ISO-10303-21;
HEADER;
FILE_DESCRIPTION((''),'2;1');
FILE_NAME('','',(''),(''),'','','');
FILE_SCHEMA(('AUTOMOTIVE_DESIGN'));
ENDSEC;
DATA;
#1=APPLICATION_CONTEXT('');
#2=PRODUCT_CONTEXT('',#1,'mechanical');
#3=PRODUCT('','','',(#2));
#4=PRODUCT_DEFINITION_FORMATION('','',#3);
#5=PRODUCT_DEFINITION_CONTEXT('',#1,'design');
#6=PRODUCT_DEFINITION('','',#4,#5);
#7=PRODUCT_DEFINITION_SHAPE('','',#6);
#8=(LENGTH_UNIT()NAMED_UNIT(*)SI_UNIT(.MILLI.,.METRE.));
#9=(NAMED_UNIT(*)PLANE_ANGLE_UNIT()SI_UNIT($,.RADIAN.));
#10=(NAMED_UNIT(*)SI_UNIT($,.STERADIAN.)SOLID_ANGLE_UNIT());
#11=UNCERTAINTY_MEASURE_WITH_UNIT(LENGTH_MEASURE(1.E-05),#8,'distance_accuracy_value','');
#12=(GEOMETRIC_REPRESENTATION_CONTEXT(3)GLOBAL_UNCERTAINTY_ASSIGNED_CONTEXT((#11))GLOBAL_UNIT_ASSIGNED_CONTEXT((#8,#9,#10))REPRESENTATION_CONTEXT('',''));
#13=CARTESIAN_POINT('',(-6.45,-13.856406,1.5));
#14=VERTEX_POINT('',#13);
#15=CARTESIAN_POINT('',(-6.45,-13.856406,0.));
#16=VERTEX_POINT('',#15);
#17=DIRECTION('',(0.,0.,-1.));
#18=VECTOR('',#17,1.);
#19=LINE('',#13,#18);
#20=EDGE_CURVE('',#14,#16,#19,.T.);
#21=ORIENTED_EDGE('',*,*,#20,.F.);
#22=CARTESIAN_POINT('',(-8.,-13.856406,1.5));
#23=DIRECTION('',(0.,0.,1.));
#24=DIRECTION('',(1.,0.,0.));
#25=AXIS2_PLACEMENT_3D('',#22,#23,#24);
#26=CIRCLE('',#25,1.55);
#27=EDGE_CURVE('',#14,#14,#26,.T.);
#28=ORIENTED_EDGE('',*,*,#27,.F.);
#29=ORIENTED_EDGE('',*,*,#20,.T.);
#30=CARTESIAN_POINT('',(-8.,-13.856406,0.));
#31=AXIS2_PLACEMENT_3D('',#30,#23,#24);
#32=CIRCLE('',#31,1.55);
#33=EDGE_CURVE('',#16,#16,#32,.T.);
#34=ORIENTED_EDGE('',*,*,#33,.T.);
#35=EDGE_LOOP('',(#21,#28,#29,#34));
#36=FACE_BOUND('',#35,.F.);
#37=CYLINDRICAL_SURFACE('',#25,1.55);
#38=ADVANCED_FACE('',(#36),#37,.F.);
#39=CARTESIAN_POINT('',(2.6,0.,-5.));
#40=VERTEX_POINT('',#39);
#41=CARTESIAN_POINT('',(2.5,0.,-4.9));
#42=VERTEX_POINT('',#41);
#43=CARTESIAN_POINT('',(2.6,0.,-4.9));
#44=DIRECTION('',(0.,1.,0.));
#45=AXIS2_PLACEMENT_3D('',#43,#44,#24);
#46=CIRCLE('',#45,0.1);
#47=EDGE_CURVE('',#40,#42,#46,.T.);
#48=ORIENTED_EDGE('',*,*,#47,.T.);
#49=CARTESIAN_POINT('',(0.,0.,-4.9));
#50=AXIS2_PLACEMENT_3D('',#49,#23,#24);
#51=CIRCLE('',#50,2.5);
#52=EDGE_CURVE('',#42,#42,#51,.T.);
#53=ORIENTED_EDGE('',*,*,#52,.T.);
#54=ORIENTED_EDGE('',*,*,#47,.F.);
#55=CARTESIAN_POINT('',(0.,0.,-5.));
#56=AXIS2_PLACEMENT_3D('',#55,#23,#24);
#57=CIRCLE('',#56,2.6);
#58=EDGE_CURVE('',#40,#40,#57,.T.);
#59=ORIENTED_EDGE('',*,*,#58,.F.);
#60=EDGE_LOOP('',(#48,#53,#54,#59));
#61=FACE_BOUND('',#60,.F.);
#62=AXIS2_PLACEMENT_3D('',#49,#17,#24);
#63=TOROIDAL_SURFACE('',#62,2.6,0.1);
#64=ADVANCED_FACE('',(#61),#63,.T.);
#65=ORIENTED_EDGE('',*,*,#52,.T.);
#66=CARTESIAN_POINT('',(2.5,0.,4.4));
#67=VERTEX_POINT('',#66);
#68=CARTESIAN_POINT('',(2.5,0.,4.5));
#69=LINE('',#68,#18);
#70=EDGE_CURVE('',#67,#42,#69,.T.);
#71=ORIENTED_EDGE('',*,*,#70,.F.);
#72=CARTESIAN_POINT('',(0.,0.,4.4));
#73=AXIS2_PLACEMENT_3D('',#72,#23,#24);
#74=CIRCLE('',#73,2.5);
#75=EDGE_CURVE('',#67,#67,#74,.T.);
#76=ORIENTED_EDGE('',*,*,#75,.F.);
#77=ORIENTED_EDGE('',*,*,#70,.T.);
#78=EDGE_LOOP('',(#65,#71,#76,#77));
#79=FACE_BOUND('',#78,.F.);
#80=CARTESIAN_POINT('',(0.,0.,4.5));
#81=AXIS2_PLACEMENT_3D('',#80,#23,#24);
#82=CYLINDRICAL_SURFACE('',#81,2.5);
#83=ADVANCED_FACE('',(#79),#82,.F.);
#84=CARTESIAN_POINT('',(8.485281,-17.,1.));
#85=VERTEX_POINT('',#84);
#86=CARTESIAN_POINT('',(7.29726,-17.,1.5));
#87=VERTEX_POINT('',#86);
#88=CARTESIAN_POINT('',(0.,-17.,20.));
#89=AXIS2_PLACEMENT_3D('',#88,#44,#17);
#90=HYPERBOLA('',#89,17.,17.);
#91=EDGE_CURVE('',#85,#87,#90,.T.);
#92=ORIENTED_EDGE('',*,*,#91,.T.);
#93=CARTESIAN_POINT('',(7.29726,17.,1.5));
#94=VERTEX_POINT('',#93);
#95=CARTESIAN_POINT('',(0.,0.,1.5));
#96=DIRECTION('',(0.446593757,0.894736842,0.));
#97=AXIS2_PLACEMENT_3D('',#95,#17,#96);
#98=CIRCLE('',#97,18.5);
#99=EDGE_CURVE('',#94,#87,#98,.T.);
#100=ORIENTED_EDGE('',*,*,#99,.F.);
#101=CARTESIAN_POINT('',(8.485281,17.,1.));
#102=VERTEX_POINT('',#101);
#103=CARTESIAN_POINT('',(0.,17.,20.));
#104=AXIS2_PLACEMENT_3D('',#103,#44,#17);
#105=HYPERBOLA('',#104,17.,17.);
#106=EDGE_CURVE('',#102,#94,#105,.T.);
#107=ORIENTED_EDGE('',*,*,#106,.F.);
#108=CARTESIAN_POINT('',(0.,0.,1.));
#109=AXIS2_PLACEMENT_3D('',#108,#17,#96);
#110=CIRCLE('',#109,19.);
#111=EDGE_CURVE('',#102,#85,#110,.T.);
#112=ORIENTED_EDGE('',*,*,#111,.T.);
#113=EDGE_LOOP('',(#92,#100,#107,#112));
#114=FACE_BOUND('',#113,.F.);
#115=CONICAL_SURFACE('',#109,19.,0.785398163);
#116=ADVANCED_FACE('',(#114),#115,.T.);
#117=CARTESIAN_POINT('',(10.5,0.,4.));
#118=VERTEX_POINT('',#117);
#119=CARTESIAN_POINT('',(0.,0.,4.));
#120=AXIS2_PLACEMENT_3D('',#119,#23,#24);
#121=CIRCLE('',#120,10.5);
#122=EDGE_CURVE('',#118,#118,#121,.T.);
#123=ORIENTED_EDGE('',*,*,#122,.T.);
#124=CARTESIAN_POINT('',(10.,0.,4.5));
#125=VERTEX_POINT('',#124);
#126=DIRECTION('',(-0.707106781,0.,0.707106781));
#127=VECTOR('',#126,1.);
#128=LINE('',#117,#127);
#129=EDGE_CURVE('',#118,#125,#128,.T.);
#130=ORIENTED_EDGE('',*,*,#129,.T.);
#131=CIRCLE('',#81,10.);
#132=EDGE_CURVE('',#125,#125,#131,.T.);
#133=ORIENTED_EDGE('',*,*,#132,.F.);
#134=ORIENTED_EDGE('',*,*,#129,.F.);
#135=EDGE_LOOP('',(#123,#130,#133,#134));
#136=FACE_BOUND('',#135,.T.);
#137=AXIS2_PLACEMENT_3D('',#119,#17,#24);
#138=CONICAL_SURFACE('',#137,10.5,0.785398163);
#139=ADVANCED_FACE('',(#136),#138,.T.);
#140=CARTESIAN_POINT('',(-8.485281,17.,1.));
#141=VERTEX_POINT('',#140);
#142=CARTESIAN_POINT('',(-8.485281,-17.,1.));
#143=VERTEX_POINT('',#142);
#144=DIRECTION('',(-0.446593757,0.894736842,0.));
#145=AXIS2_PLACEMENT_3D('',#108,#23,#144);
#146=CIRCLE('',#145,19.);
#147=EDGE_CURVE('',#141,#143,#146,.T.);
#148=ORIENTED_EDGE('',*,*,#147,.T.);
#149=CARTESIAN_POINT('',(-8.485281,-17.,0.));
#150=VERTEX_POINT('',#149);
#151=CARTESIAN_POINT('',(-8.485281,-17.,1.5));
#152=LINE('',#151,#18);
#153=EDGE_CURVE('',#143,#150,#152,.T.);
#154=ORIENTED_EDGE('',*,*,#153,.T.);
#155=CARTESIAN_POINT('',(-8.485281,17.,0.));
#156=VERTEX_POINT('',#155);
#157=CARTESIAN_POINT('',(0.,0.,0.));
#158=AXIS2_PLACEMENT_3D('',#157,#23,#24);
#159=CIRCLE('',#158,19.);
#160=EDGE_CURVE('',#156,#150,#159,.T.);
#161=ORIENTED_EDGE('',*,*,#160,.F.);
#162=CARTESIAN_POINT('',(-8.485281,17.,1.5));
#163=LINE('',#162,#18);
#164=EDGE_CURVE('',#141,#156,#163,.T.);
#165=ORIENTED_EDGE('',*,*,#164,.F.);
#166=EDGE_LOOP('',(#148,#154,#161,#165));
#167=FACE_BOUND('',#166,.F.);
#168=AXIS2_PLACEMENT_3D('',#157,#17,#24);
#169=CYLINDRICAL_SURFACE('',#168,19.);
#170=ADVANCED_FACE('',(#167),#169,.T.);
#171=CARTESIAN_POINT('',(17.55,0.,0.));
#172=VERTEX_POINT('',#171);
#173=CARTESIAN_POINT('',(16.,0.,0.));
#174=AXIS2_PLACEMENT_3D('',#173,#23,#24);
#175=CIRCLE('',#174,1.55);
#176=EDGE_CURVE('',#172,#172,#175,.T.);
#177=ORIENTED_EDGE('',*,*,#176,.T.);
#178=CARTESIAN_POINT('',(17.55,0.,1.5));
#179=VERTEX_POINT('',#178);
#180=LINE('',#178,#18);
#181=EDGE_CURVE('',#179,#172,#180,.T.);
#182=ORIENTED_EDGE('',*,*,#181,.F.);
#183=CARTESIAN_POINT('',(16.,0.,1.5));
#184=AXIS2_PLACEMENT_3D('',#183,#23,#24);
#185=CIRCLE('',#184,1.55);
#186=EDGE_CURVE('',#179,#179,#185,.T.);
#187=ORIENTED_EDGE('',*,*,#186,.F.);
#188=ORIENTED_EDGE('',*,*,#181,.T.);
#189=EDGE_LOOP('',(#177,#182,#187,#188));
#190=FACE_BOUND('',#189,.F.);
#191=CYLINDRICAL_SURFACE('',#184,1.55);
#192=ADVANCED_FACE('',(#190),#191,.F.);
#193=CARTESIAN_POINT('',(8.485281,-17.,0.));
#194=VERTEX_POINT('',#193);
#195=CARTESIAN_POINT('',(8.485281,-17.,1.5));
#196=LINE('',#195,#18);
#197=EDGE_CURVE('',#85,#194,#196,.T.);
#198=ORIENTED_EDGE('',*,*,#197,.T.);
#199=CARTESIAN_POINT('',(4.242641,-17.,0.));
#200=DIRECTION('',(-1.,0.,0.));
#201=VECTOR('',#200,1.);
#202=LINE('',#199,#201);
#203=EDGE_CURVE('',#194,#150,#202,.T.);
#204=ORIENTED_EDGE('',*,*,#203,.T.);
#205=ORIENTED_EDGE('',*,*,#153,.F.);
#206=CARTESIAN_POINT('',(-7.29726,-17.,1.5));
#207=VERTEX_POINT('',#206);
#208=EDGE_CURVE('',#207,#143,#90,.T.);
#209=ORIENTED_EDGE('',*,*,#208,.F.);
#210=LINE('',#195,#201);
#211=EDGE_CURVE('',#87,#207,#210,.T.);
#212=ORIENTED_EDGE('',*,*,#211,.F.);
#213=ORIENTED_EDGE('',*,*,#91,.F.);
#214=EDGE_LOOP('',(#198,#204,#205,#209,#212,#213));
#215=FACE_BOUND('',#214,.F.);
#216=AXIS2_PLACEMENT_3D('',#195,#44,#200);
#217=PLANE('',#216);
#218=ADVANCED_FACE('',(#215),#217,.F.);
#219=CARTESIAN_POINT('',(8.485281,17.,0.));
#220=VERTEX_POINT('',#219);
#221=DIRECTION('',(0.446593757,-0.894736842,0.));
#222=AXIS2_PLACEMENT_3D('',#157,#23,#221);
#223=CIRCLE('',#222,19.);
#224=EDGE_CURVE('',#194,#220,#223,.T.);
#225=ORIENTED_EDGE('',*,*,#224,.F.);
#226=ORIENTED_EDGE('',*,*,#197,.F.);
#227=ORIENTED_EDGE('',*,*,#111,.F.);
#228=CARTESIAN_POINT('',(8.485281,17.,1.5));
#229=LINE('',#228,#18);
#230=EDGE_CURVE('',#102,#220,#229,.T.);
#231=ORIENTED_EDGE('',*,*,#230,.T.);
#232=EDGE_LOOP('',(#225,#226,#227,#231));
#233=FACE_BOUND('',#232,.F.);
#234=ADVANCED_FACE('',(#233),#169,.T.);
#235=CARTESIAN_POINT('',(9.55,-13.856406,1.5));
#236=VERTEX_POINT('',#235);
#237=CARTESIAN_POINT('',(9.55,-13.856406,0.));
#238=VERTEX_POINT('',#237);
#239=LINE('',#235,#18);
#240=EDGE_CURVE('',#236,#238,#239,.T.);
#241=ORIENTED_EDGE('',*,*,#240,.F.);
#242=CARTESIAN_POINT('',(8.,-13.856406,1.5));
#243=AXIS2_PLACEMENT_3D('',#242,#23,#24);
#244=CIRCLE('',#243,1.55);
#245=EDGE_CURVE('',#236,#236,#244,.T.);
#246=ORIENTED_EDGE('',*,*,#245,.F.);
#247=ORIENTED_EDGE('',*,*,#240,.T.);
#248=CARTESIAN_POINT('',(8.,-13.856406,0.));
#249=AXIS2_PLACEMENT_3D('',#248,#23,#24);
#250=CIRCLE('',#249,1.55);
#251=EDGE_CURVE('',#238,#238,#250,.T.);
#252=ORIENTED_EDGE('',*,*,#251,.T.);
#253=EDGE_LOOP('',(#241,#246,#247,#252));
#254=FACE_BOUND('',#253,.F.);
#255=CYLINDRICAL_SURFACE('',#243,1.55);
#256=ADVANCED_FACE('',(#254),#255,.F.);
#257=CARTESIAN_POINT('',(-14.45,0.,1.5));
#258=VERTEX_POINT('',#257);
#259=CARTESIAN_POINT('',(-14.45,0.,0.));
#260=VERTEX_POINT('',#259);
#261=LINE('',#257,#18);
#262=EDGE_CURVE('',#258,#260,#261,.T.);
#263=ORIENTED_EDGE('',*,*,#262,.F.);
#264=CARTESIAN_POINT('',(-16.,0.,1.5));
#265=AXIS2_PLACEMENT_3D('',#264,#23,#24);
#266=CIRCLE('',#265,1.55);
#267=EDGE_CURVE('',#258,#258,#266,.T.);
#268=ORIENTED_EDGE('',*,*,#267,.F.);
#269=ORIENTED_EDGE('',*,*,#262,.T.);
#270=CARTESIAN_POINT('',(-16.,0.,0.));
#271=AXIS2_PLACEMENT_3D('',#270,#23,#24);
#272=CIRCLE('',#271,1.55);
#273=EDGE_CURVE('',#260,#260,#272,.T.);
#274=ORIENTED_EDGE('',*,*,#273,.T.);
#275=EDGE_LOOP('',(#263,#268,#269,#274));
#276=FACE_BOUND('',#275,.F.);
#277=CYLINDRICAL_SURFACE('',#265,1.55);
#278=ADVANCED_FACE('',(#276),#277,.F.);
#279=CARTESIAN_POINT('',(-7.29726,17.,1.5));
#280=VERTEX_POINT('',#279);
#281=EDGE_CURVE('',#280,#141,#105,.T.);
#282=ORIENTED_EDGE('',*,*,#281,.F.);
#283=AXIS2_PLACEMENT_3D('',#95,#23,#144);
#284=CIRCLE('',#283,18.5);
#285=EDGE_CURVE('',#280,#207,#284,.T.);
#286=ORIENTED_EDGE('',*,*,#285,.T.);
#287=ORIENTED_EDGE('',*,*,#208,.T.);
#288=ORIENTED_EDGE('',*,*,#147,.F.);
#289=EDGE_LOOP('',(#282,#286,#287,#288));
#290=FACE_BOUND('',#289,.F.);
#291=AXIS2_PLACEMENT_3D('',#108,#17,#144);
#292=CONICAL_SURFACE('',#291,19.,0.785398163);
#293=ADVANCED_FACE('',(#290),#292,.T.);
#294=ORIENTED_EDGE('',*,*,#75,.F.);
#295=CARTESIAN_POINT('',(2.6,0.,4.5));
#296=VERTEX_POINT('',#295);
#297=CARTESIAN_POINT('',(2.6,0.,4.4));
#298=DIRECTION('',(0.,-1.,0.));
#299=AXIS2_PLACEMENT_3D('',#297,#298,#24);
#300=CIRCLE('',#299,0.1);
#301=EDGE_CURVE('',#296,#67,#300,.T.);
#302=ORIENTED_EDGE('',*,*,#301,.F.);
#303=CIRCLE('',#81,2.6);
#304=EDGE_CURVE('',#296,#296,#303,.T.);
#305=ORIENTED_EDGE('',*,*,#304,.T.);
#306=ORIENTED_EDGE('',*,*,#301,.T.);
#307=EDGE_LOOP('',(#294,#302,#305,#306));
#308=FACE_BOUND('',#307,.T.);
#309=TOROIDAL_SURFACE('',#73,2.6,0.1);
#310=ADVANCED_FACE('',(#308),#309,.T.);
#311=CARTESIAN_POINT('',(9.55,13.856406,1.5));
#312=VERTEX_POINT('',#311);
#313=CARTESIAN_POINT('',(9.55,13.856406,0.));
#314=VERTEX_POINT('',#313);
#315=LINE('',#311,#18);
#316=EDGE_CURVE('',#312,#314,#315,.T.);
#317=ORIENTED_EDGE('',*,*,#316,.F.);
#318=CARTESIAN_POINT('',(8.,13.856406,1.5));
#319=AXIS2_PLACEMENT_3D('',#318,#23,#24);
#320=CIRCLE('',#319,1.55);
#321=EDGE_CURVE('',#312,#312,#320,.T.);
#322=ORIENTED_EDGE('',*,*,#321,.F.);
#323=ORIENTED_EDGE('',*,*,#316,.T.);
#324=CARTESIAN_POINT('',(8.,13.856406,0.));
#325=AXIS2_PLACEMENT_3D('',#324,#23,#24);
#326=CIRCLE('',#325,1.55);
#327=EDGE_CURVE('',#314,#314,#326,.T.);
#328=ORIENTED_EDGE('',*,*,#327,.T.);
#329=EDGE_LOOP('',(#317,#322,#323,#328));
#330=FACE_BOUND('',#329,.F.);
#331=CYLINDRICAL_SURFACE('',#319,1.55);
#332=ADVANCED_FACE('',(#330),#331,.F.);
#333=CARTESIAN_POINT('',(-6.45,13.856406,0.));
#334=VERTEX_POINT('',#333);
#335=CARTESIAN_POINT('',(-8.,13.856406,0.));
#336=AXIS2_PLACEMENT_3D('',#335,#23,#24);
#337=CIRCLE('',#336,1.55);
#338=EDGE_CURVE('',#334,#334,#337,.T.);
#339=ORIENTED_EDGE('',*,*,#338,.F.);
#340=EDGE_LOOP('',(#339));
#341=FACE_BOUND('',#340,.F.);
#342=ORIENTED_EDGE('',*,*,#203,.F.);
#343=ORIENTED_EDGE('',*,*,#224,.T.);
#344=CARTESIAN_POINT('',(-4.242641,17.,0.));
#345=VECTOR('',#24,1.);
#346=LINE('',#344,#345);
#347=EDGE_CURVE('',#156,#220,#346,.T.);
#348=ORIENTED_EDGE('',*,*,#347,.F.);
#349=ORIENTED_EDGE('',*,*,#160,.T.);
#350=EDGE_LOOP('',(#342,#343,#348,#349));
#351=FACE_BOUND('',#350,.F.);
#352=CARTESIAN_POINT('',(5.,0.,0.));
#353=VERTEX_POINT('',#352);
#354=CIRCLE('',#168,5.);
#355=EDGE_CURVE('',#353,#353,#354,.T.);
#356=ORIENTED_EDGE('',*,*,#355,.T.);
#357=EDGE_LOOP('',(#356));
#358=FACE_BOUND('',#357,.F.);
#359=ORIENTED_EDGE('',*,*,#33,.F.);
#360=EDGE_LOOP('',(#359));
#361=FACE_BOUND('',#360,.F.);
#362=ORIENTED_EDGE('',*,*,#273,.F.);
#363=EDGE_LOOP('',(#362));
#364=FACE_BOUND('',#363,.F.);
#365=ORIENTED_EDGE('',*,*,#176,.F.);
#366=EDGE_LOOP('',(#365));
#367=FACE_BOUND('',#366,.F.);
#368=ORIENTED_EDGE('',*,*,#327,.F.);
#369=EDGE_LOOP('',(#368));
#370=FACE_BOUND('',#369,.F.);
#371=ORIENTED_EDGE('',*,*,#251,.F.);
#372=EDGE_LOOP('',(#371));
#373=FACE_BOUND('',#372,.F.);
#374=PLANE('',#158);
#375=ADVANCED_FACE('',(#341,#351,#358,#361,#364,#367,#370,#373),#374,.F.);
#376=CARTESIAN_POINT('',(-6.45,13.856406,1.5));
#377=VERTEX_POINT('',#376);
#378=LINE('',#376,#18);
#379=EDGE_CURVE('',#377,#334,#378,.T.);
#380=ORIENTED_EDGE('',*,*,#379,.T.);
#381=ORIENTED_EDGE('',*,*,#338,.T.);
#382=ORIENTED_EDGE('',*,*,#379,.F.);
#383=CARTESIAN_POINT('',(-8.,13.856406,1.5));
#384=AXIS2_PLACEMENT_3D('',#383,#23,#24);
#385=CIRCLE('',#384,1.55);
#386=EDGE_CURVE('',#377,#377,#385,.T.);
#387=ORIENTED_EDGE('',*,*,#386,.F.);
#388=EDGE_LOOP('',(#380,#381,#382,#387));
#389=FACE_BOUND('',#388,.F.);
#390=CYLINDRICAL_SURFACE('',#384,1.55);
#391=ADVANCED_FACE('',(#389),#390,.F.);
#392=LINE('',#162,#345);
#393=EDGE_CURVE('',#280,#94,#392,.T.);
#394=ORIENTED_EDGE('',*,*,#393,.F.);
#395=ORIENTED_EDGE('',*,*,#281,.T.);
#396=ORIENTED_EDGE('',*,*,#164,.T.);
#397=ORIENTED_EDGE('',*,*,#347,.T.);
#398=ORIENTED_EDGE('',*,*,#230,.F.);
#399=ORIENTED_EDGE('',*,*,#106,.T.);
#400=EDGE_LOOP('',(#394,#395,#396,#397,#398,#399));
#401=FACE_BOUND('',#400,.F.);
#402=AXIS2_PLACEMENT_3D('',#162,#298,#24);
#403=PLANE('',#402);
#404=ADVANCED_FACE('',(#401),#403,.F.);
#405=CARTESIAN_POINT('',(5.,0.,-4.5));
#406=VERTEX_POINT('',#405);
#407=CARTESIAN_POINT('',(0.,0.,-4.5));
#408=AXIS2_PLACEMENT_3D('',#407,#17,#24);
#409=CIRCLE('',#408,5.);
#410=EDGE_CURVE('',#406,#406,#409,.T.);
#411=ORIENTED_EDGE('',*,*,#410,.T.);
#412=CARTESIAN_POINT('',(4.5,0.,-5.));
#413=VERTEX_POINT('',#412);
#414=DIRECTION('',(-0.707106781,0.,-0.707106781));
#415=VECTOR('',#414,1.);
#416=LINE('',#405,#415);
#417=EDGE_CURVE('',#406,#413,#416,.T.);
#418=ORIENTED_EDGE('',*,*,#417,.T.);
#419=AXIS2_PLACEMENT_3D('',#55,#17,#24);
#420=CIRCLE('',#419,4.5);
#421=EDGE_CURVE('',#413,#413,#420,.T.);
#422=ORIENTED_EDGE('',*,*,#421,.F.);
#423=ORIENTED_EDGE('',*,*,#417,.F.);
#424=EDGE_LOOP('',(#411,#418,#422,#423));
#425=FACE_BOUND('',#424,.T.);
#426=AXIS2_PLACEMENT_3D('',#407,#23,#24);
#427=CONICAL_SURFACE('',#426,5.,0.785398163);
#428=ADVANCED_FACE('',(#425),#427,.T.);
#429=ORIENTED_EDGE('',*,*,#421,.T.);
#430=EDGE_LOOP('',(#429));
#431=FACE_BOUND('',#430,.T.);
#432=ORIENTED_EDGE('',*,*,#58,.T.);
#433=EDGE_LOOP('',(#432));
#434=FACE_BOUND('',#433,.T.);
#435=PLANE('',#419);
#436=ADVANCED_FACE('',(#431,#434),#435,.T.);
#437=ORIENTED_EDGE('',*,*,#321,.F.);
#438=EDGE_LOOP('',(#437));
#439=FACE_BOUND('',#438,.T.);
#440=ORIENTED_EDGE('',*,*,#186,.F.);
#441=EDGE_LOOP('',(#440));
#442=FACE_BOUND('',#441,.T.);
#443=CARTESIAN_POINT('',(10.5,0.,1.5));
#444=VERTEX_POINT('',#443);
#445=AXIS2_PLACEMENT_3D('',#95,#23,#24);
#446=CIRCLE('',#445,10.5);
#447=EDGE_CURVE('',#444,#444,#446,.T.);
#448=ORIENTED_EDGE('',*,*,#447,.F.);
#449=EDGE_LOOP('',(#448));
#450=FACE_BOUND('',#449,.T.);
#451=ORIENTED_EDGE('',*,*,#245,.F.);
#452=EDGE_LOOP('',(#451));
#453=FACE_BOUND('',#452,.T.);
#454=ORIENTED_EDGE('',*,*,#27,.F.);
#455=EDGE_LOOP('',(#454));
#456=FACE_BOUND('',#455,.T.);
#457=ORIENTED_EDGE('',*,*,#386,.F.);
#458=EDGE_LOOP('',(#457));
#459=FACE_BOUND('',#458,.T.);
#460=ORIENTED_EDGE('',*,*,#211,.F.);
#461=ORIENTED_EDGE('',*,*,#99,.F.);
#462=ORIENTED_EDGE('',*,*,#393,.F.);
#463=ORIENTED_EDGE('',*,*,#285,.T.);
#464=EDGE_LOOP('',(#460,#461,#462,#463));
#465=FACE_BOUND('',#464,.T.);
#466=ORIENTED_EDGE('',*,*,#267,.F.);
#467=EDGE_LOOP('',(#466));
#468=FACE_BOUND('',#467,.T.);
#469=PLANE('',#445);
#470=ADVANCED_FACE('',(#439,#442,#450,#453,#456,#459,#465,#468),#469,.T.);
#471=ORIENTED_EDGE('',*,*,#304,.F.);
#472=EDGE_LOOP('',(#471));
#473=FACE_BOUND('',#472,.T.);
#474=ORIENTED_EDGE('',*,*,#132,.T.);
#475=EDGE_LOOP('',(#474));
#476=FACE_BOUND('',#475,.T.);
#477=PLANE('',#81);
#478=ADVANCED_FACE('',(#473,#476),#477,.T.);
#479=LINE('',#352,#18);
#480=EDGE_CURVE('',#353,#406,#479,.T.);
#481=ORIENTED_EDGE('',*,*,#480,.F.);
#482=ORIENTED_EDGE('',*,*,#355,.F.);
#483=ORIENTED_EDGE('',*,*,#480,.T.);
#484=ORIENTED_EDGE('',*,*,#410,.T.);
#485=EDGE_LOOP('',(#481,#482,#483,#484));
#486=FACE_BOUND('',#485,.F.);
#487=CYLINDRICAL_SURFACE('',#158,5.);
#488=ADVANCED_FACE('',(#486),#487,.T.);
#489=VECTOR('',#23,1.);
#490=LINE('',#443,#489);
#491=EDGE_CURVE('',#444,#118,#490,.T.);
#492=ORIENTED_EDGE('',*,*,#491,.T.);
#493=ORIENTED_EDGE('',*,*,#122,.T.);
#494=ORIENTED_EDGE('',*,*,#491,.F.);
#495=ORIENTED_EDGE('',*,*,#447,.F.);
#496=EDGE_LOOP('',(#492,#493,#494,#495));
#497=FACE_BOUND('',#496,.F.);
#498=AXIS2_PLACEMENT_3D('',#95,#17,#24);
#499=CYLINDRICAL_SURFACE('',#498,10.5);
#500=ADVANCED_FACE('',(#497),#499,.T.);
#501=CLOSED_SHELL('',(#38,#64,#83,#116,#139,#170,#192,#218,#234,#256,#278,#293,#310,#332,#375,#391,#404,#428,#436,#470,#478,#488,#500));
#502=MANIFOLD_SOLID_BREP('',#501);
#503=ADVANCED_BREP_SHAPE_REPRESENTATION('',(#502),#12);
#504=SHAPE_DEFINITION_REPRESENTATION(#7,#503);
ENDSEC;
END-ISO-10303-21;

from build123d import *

# Parameters (mm, degrees)
SKETCH1_R           = 19
BOSS_EXTRUDE2_DEPTH = 1.5
SKETCH2_R           = 1.55
CUT_EXTRUDE1_DEPTH  = 6.5
SKETCH3_R           = 10.5
BOSS_EXTRUDE3_DEPTH = 3
SKETCH4_R           = 5
BOSS_EXTRUDE4_DEPTH = 5
SKETCH5_R           = 2.5
CUT_EXTRUDE2_DEPTH  = 28.207535721
CHAMFER1_SIZE       = 0.5
FILLET1_R           = 0.1


with BuildPart() as part:
    # Sketch1 → Boss-Extrude2 (new body)
    with BuildSketch(Plane.XY):
        Circle(SKETCH1_R)
    extrude(amount=BOSS_EXTRUDE2_DEPTH)

    # Sketch2 → Cut-Extrude1 (cut)
    with BuildSketch(Plane.XY.offset(1.5)):
        with BuildLine():
            ThreePointArc((8.485281374, 17), (0, 19), (-8.485281374, 17))
            Line((-8.485281374, 17), (8.485281374, 17))
        make_face()
        with BuildLine():
            Line((8.485281374, -17), (-8.485281374, -17))
            ThreePointArc((-8.485281374, -17), (0, -19), (8.485281374, -17))
        make_face()
        with Locations((-8, 13.856406461)):
            Circle(SKETCH2_R)
        with Locations((8, 13.856406461)):
            Circle(SKETCH2_R)
        with Locations((16, 0)):
            Circle(SKETCH2_R)
        with Locations((8, -13.856406461)):
            Circle(SKETCH2_R)
        with Locations((-8, -13.856406461)):
            Circle(SKETCH2_R)
        with Locations((-16, 0)):
            Circle(SKETCH2_R)
    extrude(amount=-CUT_EXTRUDE1_DEPTH, mode=Mode.SUBTRACT)

    # Sketch3 → Boss-Extrude3 (add)
    with BuildSketch(Plane.XY.offset(1.5)):
        Circle(SKETCH3_R)
    extrude(amount=BOSS_EXTRUDE3_DEPTH)

    # Sketch4 → Boss-Extrude4 (add)
    with BuildSketch(Plane(origin=(0, 0, 0), x_dir=(-1, 0, 0), z_dir=(0, 0, -1))):
        with Locations(Location((0, 0, 0), (0, 0, 180))):
            Circle(SKETCH4_R)
    extrude(amount=BOSS_EXTRUDE4_DEPTH)

    # Sketch5 → Cut-Extrude2 (cut, through all)
    with BuildSketch(Plane.XY.offset(4.5)):
        Circle(SKETCH5_R)
    extrude(amount=-CUT_EXTRUDE2_DEPTH, mode=Mode.SUBTRACT)

    # Chamfer1
    chamfer1_edges = [part.edges().sort_by_distance(p)[0] for p in [
        (-19, 0, 1.5),
        (19, 0, 1.5),
        (-10.5, 0, 4.5),
        (-5, 0, -5),
    ]]
    chamfer(chamfer1_edges, length=CHAMFER1_SIZE)

    # Fillet1
    fillet1_edges = [part.edges().sort_by_distance(p)[0] for p in [
        (-2.5, 0, -5),
        (-2.5, 0, 4.5),
    ]]
    fillet(fillet1_edges, radius=FILLET1_R)


solid = part.part
